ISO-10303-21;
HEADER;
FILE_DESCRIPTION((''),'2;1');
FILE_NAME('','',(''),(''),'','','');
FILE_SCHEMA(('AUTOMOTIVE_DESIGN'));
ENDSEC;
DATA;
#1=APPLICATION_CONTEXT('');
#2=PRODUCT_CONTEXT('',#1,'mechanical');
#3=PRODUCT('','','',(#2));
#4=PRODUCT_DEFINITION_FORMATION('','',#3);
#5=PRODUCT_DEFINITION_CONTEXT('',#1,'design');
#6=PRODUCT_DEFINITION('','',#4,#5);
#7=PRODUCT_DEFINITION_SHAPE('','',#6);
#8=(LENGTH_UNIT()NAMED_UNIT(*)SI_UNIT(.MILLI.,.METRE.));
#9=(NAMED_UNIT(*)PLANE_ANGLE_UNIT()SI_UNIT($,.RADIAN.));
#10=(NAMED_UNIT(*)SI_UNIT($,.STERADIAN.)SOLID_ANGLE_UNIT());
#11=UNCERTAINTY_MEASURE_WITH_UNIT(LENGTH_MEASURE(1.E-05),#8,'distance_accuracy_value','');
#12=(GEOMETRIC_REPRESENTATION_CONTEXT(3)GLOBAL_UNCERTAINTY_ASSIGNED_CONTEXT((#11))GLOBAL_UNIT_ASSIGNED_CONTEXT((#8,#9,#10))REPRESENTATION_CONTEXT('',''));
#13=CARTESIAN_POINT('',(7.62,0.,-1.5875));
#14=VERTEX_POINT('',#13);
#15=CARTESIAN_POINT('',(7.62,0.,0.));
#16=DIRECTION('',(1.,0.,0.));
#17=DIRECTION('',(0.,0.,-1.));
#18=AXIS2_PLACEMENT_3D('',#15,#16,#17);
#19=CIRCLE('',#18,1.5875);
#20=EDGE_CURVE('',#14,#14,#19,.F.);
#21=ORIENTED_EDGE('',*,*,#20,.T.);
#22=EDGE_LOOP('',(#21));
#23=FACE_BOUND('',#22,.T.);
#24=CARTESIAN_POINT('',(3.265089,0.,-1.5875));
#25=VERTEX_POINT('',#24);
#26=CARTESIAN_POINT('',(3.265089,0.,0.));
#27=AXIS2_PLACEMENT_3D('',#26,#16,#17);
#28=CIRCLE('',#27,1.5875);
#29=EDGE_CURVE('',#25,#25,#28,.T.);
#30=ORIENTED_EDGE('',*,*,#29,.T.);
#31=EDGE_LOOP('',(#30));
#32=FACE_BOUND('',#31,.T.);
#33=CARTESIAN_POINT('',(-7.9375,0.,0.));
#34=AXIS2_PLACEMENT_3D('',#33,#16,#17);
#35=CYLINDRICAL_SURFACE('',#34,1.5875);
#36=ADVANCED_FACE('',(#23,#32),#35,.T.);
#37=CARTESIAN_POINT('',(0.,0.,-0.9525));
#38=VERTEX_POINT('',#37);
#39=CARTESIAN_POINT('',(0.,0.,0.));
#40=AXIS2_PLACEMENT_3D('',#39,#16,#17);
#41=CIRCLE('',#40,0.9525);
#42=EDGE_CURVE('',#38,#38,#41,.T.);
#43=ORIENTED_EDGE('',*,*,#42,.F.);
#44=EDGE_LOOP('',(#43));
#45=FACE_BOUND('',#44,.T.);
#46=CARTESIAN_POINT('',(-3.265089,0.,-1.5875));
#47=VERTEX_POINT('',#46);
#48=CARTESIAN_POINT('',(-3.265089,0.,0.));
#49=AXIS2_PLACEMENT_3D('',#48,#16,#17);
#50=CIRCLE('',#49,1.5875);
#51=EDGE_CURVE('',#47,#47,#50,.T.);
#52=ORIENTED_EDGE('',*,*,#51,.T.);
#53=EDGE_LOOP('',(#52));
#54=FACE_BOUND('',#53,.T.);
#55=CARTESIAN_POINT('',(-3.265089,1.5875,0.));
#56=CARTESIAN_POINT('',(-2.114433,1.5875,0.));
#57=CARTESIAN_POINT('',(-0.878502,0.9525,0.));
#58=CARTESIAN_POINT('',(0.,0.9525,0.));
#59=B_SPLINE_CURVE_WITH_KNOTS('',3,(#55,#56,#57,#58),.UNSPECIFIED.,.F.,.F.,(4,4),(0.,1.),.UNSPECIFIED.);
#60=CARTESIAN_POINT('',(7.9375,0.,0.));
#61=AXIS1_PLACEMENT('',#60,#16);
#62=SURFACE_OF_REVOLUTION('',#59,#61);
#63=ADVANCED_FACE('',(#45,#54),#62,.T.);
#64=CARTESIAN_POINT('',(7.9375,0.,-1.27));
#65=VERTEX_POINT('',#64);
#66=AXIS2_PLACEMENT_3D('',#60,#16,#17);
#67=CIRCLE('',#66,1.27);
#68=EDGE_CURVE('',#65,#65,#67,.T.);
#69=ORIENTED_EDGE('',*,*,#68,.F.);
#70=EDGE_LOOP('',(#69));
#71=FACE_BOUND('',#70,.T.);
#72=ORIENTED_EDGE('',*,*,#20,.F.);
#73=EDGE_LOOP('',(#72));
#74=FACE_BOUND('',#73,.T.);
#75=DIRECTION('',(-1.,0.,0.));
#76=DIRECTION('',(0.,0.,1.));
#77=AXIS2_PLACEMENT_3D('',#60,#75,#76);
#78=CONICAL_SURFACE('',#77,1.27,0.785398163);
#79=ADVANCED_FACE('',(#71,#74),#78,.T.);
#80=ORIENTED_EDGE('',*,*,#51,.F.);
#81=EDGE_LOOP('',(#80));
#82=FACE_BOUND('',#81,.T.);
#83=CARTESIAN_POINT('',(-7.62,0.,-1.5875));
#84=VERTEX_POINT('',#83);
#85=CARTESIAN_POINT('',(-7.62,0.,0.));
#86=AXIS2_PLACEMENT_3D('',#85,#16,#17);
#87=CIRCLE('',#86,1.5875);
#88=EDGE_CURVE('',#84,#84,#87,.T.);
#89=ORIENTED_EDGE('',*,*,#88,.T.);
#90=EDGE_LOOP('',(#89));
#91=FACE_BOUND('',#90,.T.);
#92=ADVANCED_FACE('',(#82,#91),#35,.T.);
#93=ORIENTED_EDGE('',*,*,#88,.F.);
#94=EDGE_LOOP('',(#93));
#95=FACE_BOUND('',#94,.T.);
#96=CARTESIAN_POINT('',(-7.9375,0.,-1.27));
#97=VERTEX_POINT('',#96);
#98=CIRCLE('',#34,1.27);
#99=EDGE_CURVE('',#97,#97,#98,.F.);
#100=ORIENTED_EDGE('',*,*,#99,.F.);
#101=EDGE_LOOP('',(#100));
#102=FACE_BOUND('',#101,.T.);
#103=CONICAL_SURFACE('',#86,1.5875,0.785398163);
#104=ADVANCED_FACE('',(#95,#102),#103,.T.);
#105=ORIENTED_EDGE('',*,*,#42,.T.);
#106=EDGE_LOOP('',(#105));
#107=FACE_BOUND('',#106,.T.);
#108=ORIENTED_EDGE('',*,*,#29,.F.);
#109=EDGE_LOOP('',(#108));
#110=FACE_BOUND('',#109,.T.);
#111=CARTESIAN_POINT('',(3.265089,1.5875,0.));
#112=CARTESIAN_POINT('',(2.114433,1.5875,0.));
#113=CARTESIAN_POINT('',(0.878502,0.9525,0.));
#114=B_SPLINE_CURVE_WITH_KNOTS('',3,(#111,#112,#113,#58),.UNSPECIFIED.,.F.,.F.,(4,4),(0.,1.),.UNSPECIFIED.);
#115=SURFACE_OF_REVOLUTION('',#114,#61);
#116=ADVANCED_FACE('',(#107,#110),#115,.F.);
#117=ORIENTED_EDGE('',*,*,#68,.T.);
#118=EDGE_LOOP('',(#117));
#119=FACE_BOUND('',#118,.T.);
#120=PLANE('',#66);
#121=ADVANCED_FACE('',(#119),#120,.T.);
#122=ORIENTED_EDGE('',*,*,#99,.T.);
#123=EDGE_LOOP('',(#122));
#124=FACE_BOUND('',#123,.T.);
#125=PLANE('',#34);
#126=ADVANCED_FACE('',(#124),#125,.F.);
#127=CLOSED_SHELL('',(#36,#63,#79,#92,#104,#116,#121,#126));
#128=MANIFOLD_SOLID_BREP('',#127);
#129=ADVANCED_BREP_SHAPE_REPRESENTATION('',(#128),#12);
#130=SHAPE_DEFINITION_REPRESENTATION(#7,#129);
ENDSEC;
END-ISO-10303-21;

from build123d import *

# Parameters (mm, degrees)
EXTRUDE1_DEPTH      = 7.9375
EXTRUDE1_DEPTH_BACK = 7.9375
SKETCH2_R           = 1.5875
CHAMFER1_SIZE       = 0.3175


with BuildPart() as part:
    # Sketch2 → Extrude1 (new, two sides: drawn at the far end of the back side and taken through both)
    with BuildSketch(Plane(origin=(0, 0, 0), x_dir=(0, 0, -1), z_dir=(1, 0, 0)).offset(-EXTRUDE1_DEPTH_BACK)):
        Circle(SKETCH2_R)
    extrude(amount=EXTRUDE1_DEPTH + EXTRUDE1_DEPTH_BACK)

    # Chamfer1
    chamfer1_edges = [part.edges().sort_by_distance(p)[0] for p in [
        (-7.9375, 0, 1.5875),
        (7.9375, 0, 1.5875),
    ]]
    chamfer(chamfer1_edges, length=CHAMFER1_SIZE)

    # Sketch3 → Cut-Revolve1 (revolve, cut)
    with BuildSketch(Plane.XY, mode=Mode.PRIVATE) as cut_revolve1_sk:
        with BuildLine():
            Line((3.265089056, 1.5875), (-3.265089056, 1.5875))
            add(Edge.make_bspline(
                [(-3.265089056, 1.5875), (-2.114433092, 1.5875), (-0.878501649, 0.9525), (0, 0.9525)],
                knots=[0, 0, 0, 0, 1, 1, 1, 1], degree=3))
            add(Edge.make_bspline(
                [(3.265089056, 1.5875), (2.114433092, 1.5875), (0.878501649, 0.9525), (0, 0.9525)],
                knots=[0, 0, 0, 0, 1, 1, 1, 1], degree=3))
        make_face()
    revolve(cut_revolve1_sk.sketch.rotate(Axis((7.9375, 0, 0), (-1, 0, 0)), 90), axis=Axis((7.9375, 0, 0), (-1, 0, 0)), mode=Mode.SUBTRACT)


solid = part.part
